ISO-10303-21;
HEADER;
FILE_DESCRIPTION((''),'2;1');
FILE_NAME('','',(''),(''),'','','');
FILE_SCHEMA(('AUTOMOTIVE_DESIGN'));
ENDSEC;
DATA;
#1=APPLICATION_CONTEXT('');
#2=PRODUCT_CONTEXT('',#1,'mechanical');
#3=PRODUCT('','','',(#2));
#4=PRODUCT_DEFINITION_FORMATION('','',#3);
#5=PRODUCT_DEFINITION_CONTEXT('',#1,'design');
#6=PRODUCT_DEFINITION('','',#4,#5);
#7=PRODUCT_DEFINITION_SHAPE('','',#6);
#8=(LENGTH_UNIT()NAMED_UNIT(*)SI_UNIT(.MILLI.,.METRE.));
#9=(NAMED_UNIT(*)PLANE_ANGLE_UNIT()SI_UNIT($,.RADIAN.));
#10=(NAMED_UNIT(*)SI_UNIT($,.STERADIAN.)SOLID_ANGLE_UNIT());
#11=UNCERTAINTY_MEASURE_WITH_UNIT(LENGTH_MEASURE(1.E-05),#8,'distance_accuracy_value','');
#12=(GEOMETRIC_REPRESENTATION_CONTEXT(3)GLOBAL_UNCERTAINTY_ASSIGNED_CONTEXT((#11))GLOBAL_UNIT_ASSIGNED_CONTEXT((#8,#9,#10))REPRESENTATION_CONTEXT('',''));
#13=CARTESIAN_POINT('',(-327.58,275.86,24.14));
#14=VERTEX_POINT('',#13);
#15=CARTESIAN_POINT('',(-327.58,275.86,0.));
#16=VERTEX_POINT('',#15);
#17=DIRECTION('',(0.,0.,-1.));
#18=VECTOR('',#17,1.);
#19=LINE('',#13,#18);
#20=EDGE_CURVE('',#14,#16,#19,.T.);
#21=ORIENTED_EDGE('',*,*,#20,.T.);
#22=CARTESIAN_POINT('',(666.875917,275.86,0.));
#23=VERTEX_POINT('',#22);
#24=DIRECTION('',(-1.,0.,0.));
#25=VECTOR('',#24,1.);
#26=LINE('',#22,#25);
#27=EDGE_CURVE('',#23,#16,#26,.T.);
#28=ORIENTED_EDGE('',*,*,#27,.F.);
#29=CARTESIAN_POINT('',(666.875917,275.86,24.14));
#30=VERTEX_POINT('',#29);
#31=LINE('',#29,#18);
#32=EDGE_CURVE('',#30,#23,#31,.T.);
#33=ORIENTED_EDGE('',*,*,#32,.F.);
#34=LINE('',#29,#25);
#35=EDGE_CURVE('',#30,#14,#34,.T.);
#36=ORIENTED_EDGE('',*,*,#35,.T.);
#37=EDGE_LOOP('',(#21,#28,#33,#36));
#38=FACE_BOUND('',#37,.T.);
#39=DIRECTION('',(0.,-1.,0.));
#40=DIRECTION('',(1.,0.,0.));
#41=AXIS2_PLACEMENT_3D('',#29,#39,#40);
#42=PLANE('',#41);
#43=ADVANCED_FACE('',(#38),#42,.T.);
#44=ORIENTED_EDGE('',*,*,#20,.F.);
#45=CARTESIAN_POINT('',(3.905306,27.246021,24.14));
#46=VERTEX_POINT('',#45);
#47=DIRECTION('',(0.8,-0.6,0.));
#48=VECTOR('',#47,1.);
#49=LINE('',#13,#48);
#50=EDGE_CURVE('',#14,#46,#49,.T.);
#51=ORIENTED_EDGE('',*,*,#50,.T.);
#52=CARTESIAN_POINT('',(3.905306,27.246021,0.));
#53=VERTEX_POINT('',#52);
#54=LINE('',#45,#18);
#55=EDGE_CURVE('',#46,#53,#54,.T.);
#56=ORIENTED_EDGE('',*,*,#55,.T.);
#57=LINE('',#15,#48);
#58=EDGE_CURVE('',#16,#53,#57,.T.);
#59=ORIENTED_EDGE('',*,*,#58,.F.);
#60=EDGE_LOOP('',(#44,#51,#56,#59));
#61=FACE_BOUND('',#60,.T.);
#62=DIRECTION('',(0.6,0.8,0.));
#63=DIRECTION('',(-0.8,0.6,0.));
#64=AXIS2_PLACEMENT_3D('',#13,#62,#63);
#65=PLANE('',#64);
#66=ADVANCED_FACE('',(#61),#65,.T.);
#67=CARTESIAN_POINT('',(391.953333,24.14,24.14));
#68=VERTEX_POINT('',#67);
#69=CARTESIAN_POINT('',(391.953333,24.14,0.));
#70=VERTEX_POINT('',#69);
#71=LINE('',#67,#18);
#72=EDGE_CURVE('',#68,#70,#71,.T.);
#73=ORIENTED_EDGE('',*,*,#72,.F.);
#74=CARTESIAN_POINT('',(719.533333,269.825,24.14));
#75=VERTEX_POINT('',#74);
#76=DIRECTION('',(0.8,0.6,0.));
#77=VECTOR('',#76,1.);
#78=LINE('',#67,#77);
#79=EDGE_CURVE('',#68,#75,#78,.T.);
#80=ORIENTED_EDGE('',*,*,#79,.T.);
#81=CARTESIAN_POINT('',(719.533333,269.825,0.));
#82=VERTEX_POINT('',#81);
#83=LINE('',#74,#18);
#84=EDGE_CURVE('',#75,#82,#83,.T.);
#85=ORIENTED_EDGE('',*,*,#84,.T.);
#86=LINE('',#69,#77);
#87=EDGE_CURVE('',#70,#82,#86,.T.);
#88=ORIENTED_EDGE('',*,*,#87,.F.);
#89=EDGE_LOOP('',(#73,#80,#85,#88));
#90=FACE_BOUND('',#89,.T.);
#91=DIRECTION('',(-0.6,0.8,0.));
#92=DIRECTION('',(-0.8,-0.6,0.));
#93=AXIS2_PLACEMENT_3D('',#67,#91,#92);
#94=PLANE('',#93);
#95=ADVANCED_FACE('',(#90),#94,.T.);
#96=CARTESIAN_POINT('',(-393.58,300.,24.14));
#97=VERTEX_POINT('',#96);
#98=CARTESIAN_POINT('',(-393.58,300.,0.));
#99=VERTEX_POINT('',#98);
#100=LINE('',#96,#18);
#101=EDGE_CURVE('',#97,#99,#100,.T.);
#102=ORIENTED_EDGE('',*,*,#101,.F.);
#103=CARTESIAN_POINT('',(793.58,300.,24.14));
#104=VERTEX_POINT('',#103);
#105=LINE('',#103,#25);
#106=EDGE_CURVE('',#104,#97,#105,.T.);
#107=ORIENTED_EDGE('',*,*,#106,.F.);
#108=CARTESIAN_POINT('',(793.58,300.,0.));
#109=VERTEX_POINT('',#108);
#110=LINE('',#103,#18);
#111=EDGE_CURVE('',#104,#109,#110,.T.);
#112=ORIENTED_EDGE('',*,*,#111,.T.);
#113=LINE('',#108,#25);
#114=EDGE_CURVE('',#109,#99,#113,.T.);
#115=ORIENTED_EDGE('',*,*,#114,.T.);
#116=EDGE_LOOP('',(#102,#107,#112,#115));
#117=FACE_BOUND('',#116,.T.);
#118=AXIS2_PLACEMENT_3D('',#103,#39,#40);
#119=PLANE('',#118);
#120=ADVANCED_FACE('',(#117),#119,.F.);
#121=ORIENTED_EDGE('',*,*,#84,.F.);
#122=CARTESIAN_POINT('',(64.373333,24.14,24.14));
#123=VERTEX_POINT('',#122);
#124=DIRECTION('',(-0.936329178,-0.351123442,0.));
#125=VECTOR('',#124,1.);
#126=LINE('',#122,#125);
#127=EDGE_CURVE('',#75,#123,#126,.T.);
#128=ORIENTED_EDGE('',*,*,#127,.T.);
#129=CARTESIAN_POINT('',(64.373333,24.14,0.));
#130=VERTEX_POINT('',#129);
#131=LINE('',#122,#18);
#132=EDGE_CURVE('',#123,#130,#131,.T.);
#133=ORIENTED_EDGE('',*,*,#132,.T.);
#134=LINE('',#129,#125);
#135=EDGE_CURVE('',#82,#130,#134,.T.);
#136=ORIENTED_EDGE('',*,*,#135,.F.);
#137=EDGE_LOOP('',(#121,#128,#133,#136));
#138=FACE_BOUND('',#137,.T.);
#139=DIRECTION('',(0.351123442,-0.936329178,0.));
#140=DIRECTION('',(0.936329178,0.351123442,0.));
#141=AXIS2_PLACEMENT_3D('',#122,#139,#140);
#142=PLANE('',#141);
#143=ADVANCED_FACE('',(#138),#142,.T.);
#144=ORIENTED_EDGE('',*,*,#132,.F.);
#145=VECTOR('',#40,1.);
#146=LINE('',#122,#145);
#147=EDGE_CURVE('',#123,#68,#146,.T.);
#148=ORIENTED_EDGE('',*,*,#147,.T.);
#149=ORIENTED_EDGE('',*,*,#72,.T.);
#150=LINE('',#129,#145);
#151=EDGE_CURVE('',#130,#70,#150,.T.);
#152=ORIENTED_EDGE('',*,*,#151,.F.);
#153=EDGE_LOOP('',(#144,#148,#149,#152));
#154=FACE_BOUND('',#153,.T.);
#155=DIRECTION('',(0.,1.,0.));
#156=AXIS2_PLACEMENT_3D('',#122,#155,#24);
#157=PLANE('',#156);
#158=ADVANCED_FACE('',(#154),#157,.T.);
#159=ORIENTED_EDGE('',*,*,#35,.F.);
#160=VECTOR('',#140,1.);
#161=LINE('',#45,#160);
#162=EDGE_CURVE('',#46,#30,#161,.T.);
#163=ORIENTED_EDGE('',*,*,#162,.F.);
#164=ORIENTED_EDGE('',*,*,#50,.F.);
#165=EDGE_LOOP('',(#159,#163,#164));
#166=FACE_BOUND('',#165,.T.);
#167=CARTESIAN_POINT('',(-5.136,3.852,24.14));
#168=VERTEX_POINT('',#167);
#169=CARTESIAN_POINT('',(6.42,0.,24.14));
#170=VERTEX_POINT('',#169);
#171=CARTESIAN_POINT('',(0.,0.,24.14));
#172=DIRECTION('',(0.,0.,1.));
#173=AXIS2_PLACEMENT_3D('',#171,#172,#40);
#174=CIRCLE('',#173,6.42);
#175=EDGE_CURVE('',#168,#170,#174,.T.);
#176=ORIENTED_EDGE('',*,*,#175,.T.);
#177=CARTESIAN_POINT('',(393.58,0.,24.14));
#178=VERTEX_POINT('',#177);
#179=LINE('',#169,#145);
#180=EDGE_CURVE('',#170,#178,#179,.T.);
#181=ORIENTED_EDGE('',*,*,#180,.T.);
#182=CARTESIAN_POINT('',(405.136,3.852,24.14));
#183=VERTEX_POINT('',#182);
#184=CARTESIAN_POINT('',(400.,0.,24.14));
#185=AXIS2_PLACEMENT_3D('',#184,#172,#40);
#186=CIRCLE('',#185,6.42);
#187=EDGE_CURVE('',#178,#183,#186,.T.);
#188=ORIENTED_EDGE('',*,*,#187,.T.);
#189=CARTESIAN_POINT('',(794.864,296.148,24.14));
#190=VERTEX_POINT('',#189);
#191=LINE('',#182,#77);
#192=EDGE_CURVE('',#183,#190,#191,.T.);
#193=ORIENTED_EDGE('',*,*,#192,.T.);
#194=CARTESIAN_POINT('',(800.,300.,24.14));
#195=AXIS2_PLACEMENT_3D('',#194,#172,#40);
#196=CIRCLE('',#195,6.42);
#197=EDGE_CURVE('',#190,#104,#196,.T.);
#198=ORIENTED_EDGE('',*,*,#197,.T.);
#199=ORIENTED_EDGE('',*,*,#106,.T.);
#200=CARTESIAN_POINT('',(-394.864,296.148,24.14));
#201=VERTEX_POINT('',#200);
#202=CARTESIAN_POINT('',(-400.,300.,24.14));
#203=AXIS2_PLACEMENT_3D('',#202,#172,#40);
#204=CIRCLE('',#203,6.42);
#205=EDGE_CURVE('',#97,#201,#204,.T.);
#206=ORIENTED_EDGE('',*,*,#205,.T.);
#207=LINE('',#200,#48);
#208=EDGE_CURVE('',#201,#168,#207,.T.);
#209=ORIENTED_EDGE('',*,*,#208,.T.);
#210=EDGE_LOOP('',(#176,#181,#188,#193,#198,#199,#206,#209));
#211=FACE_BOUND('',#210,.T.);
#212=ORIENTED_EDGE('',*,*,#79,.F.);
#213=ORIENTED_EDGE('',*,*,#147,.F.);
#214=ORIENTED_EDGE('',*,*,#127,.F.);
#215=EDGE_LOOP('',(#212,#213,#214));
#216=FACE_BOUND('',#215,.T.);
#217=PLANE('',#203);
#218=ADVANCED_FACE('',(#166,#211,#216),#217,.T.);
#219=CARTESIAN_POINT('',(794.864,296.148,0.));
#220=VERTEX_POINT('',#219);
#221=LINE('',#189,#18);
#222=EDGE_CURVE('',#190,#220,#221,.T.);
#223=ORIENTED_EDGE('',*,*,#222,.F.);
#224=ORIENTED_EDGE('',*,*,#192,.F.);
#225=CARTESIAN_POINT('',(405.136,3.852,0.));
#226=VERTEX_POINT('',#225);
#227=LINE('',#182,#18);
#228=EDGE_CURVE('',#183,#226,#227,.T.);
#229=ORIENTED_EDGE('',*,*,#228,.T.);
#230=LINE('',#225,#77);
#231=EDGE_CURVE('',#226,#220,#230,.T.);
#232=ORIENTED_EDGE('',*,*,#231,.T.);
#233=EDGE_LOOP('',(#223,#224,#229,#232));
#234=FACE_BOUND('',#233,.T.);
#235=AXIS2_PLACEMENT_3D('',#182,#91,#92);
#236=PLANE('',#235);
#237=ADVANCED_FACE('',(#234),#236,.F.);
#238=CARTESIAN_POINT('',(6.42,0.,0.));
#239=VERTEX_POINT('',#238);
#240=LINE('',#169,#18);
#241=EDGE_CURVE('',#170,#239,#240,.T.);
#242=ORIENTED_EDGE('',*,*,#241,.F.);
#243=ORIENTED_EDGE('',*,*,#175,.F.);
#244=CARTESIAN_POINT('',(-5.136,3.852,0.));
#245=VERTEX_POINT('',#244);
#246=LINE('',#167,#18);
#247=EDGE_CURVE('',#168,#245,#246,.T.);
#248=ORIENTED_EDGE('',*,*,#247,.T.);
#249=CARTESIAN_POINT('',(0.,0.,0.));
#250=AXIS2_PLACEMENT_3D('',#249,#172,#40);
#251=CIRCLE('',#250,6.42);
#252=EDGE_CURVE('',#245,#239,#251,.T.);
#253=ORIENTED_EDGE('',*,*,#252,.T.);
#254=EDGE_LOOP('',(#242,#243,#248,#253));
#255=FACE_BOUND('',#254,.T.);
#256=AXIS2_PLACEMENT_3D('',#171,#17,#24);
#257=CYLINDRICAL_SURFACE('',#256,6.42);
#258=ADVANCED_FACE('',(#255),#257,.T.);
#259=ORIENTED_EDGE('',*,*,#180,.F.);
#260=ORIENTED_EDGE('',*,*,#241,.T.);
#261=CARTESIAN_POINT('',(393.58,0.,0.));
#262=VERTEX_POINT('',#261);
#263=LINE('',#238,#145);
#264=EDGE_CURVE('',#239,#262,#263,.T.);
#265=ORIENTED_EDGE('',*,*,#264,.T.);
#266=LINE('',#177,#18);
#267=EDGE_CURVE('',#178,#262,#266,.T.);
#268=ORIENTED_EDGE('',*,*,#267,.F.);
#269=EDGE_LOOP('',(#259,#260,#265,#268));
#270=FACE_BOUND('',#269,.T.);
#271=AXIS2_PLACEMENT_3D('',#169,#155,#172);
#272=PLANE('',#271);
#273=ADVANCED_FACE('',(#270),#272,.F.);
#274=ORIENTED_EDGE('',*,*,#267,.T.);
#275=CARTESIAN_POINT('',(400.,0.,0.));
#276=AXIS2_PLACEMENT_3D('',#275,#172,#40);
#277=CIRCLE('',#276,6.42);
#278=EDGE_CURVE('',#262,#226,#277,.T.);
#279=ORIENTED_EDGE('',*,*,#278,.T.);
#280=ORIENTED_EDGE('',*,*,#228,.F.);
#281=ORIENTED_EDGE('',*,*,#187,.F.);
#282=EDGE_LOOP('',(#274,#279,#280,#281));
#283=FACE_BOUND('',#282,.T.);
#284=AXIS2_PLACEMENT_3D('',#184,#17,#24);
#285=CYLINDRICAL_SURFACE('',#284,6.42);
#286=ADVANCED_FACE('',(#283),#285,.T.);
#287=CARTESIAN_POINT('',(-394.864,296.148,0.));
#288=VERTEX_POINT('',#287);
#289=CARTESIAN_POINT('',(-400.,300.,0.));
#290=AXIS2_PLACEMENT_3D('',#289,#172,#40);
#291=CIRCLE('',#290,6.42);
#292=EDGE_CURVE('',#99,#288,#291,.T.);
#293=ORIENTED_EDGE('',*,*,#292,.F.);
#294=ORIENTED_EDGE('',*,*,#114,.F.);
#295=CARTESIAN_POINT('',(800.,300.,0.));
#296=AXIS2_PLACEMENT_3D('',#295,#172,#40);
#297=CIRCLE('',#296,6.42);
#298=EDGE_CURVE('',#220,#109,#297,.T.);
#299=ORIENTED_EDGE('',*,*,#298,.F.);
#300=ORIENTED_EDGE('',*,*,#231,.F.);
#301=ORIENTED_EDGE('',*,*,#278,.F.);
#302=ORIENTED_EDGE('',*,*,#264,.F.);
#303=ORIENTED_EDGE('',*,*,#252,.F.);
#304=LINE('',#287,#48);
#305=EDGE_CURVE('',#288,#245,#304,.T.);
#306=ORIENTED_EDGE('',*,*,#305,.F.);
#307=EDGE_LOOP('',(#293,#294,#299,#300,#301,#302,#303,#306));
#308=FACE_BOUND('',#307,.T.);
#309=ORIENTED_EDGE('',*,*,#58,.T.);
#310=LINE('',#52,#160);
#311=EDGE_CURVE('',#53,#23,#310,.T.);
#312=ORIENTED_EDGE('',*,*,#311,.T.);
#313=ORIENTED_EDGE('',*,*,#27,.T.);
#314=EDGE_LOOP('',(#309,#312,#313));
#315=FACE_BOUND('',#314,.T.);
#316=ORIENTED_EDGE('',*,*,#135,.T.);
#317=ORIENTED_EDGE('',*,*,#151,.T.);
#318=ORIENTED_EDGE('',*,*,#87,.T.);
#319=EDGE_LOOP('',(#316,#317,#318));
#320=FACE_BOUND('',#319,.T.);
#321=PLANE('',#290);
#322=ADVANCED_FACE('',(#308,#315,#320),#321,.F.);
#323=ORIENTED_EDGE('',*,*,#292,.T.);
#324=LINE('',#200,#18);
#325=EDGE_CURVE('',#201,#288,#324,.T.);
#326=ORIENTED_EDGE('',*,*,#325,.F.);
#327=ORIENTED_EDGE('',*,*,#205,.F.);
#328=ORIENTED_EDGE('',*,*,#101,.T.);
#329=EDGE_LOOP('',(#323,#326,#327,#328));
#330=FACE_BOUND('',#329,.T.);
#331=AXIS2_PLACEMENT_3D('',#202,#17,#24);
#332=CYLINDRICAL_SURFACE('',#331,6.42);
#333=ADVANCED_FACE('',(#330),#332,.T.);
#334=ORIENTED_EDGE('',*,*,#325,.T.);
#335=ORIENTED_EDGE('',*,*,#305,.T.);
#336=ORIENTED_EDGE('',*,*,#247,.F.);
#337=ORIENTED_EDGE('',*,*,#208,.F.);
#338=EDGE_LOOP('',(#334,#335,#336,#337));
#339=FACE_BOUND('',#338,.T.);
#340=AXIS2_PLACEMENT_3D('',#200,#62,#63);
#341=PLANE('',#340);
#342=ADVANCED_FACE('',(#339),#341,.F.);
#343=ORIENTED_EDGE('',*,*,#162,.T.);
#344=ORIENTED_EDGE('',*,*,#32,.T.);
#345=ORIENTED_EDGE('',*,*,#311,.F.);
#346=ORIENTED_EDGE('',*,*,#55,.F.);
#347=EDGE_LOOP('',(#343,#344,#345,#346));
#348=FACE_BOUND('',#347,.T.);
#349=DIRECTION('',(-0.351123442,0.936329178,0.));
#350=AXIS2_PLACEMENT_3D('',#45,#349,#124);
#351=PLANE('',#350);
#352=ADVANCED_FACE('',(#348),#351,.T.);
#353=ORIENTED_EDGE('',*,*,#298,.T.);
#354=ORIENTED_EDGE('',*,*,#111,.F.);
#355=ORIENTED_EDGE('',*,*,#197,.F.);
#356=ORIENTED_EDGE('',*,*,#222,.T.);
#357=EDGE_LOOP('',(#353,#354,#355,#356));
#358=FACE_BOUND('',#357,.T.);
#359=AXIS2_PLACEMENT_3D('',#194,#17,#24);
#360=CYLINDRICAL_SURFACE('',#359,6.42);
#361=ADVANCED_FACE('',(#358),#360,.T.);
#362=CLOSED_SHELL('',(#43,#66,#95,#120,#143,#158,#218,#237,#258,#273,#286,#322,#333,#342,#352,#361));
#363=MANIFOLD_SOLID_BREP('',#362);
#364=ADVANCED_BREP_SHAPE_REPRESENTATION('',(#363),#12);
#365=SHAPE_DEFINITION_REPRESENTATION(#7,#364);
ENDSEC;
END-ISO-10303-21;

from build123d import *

# Parameters (mm, degrees)
BOSS_EXTRUDE1_DEPTH = 24.14


with BuildPart() as part:
    # Sketch3 → Boss-Extrude1 (new body)
    with BuildSketch(Plane.XY):
        with BuildLine():
            Line((6.42, 0), (393.58, 0))
            ThreePointArc((393.58, 0), (402.030182258, -6.090546773), (405.136, 3.852))
            Line((405.136, 3.852), (794.864, 296.148))
            ThreePointArc((794.864, 296.148), (806.090546773, 302.030182258), (793.58, 300))
            Line((793.58, 300), (-393.58, 300))
            ThreePointArc((-393.58, 300), (-406.090546773, 302.030182258), (-394.864, 296.148))
            Line((-394.864, 296.148), (-5.136, 3.852))
            ThreePointArc((-5.136, 3.852), (-2.030182258, -6.090546773), (6.42, 0))
        make_face()
        Polygon((64.373333333, 24.14), (719.533333333, 269.825), (391.953333333, 24.14), align=None, mode=Mode.SUBTRACT)
        Polygon((-327.58, 275.86), (3.90530551, 27.246020868), (666.875916529, 275.86), align=None, mode=Mode.SUBTRACT)
    extrude(amount=BOSS_EXTRUDE1_DEPTH)


solid = part.part
